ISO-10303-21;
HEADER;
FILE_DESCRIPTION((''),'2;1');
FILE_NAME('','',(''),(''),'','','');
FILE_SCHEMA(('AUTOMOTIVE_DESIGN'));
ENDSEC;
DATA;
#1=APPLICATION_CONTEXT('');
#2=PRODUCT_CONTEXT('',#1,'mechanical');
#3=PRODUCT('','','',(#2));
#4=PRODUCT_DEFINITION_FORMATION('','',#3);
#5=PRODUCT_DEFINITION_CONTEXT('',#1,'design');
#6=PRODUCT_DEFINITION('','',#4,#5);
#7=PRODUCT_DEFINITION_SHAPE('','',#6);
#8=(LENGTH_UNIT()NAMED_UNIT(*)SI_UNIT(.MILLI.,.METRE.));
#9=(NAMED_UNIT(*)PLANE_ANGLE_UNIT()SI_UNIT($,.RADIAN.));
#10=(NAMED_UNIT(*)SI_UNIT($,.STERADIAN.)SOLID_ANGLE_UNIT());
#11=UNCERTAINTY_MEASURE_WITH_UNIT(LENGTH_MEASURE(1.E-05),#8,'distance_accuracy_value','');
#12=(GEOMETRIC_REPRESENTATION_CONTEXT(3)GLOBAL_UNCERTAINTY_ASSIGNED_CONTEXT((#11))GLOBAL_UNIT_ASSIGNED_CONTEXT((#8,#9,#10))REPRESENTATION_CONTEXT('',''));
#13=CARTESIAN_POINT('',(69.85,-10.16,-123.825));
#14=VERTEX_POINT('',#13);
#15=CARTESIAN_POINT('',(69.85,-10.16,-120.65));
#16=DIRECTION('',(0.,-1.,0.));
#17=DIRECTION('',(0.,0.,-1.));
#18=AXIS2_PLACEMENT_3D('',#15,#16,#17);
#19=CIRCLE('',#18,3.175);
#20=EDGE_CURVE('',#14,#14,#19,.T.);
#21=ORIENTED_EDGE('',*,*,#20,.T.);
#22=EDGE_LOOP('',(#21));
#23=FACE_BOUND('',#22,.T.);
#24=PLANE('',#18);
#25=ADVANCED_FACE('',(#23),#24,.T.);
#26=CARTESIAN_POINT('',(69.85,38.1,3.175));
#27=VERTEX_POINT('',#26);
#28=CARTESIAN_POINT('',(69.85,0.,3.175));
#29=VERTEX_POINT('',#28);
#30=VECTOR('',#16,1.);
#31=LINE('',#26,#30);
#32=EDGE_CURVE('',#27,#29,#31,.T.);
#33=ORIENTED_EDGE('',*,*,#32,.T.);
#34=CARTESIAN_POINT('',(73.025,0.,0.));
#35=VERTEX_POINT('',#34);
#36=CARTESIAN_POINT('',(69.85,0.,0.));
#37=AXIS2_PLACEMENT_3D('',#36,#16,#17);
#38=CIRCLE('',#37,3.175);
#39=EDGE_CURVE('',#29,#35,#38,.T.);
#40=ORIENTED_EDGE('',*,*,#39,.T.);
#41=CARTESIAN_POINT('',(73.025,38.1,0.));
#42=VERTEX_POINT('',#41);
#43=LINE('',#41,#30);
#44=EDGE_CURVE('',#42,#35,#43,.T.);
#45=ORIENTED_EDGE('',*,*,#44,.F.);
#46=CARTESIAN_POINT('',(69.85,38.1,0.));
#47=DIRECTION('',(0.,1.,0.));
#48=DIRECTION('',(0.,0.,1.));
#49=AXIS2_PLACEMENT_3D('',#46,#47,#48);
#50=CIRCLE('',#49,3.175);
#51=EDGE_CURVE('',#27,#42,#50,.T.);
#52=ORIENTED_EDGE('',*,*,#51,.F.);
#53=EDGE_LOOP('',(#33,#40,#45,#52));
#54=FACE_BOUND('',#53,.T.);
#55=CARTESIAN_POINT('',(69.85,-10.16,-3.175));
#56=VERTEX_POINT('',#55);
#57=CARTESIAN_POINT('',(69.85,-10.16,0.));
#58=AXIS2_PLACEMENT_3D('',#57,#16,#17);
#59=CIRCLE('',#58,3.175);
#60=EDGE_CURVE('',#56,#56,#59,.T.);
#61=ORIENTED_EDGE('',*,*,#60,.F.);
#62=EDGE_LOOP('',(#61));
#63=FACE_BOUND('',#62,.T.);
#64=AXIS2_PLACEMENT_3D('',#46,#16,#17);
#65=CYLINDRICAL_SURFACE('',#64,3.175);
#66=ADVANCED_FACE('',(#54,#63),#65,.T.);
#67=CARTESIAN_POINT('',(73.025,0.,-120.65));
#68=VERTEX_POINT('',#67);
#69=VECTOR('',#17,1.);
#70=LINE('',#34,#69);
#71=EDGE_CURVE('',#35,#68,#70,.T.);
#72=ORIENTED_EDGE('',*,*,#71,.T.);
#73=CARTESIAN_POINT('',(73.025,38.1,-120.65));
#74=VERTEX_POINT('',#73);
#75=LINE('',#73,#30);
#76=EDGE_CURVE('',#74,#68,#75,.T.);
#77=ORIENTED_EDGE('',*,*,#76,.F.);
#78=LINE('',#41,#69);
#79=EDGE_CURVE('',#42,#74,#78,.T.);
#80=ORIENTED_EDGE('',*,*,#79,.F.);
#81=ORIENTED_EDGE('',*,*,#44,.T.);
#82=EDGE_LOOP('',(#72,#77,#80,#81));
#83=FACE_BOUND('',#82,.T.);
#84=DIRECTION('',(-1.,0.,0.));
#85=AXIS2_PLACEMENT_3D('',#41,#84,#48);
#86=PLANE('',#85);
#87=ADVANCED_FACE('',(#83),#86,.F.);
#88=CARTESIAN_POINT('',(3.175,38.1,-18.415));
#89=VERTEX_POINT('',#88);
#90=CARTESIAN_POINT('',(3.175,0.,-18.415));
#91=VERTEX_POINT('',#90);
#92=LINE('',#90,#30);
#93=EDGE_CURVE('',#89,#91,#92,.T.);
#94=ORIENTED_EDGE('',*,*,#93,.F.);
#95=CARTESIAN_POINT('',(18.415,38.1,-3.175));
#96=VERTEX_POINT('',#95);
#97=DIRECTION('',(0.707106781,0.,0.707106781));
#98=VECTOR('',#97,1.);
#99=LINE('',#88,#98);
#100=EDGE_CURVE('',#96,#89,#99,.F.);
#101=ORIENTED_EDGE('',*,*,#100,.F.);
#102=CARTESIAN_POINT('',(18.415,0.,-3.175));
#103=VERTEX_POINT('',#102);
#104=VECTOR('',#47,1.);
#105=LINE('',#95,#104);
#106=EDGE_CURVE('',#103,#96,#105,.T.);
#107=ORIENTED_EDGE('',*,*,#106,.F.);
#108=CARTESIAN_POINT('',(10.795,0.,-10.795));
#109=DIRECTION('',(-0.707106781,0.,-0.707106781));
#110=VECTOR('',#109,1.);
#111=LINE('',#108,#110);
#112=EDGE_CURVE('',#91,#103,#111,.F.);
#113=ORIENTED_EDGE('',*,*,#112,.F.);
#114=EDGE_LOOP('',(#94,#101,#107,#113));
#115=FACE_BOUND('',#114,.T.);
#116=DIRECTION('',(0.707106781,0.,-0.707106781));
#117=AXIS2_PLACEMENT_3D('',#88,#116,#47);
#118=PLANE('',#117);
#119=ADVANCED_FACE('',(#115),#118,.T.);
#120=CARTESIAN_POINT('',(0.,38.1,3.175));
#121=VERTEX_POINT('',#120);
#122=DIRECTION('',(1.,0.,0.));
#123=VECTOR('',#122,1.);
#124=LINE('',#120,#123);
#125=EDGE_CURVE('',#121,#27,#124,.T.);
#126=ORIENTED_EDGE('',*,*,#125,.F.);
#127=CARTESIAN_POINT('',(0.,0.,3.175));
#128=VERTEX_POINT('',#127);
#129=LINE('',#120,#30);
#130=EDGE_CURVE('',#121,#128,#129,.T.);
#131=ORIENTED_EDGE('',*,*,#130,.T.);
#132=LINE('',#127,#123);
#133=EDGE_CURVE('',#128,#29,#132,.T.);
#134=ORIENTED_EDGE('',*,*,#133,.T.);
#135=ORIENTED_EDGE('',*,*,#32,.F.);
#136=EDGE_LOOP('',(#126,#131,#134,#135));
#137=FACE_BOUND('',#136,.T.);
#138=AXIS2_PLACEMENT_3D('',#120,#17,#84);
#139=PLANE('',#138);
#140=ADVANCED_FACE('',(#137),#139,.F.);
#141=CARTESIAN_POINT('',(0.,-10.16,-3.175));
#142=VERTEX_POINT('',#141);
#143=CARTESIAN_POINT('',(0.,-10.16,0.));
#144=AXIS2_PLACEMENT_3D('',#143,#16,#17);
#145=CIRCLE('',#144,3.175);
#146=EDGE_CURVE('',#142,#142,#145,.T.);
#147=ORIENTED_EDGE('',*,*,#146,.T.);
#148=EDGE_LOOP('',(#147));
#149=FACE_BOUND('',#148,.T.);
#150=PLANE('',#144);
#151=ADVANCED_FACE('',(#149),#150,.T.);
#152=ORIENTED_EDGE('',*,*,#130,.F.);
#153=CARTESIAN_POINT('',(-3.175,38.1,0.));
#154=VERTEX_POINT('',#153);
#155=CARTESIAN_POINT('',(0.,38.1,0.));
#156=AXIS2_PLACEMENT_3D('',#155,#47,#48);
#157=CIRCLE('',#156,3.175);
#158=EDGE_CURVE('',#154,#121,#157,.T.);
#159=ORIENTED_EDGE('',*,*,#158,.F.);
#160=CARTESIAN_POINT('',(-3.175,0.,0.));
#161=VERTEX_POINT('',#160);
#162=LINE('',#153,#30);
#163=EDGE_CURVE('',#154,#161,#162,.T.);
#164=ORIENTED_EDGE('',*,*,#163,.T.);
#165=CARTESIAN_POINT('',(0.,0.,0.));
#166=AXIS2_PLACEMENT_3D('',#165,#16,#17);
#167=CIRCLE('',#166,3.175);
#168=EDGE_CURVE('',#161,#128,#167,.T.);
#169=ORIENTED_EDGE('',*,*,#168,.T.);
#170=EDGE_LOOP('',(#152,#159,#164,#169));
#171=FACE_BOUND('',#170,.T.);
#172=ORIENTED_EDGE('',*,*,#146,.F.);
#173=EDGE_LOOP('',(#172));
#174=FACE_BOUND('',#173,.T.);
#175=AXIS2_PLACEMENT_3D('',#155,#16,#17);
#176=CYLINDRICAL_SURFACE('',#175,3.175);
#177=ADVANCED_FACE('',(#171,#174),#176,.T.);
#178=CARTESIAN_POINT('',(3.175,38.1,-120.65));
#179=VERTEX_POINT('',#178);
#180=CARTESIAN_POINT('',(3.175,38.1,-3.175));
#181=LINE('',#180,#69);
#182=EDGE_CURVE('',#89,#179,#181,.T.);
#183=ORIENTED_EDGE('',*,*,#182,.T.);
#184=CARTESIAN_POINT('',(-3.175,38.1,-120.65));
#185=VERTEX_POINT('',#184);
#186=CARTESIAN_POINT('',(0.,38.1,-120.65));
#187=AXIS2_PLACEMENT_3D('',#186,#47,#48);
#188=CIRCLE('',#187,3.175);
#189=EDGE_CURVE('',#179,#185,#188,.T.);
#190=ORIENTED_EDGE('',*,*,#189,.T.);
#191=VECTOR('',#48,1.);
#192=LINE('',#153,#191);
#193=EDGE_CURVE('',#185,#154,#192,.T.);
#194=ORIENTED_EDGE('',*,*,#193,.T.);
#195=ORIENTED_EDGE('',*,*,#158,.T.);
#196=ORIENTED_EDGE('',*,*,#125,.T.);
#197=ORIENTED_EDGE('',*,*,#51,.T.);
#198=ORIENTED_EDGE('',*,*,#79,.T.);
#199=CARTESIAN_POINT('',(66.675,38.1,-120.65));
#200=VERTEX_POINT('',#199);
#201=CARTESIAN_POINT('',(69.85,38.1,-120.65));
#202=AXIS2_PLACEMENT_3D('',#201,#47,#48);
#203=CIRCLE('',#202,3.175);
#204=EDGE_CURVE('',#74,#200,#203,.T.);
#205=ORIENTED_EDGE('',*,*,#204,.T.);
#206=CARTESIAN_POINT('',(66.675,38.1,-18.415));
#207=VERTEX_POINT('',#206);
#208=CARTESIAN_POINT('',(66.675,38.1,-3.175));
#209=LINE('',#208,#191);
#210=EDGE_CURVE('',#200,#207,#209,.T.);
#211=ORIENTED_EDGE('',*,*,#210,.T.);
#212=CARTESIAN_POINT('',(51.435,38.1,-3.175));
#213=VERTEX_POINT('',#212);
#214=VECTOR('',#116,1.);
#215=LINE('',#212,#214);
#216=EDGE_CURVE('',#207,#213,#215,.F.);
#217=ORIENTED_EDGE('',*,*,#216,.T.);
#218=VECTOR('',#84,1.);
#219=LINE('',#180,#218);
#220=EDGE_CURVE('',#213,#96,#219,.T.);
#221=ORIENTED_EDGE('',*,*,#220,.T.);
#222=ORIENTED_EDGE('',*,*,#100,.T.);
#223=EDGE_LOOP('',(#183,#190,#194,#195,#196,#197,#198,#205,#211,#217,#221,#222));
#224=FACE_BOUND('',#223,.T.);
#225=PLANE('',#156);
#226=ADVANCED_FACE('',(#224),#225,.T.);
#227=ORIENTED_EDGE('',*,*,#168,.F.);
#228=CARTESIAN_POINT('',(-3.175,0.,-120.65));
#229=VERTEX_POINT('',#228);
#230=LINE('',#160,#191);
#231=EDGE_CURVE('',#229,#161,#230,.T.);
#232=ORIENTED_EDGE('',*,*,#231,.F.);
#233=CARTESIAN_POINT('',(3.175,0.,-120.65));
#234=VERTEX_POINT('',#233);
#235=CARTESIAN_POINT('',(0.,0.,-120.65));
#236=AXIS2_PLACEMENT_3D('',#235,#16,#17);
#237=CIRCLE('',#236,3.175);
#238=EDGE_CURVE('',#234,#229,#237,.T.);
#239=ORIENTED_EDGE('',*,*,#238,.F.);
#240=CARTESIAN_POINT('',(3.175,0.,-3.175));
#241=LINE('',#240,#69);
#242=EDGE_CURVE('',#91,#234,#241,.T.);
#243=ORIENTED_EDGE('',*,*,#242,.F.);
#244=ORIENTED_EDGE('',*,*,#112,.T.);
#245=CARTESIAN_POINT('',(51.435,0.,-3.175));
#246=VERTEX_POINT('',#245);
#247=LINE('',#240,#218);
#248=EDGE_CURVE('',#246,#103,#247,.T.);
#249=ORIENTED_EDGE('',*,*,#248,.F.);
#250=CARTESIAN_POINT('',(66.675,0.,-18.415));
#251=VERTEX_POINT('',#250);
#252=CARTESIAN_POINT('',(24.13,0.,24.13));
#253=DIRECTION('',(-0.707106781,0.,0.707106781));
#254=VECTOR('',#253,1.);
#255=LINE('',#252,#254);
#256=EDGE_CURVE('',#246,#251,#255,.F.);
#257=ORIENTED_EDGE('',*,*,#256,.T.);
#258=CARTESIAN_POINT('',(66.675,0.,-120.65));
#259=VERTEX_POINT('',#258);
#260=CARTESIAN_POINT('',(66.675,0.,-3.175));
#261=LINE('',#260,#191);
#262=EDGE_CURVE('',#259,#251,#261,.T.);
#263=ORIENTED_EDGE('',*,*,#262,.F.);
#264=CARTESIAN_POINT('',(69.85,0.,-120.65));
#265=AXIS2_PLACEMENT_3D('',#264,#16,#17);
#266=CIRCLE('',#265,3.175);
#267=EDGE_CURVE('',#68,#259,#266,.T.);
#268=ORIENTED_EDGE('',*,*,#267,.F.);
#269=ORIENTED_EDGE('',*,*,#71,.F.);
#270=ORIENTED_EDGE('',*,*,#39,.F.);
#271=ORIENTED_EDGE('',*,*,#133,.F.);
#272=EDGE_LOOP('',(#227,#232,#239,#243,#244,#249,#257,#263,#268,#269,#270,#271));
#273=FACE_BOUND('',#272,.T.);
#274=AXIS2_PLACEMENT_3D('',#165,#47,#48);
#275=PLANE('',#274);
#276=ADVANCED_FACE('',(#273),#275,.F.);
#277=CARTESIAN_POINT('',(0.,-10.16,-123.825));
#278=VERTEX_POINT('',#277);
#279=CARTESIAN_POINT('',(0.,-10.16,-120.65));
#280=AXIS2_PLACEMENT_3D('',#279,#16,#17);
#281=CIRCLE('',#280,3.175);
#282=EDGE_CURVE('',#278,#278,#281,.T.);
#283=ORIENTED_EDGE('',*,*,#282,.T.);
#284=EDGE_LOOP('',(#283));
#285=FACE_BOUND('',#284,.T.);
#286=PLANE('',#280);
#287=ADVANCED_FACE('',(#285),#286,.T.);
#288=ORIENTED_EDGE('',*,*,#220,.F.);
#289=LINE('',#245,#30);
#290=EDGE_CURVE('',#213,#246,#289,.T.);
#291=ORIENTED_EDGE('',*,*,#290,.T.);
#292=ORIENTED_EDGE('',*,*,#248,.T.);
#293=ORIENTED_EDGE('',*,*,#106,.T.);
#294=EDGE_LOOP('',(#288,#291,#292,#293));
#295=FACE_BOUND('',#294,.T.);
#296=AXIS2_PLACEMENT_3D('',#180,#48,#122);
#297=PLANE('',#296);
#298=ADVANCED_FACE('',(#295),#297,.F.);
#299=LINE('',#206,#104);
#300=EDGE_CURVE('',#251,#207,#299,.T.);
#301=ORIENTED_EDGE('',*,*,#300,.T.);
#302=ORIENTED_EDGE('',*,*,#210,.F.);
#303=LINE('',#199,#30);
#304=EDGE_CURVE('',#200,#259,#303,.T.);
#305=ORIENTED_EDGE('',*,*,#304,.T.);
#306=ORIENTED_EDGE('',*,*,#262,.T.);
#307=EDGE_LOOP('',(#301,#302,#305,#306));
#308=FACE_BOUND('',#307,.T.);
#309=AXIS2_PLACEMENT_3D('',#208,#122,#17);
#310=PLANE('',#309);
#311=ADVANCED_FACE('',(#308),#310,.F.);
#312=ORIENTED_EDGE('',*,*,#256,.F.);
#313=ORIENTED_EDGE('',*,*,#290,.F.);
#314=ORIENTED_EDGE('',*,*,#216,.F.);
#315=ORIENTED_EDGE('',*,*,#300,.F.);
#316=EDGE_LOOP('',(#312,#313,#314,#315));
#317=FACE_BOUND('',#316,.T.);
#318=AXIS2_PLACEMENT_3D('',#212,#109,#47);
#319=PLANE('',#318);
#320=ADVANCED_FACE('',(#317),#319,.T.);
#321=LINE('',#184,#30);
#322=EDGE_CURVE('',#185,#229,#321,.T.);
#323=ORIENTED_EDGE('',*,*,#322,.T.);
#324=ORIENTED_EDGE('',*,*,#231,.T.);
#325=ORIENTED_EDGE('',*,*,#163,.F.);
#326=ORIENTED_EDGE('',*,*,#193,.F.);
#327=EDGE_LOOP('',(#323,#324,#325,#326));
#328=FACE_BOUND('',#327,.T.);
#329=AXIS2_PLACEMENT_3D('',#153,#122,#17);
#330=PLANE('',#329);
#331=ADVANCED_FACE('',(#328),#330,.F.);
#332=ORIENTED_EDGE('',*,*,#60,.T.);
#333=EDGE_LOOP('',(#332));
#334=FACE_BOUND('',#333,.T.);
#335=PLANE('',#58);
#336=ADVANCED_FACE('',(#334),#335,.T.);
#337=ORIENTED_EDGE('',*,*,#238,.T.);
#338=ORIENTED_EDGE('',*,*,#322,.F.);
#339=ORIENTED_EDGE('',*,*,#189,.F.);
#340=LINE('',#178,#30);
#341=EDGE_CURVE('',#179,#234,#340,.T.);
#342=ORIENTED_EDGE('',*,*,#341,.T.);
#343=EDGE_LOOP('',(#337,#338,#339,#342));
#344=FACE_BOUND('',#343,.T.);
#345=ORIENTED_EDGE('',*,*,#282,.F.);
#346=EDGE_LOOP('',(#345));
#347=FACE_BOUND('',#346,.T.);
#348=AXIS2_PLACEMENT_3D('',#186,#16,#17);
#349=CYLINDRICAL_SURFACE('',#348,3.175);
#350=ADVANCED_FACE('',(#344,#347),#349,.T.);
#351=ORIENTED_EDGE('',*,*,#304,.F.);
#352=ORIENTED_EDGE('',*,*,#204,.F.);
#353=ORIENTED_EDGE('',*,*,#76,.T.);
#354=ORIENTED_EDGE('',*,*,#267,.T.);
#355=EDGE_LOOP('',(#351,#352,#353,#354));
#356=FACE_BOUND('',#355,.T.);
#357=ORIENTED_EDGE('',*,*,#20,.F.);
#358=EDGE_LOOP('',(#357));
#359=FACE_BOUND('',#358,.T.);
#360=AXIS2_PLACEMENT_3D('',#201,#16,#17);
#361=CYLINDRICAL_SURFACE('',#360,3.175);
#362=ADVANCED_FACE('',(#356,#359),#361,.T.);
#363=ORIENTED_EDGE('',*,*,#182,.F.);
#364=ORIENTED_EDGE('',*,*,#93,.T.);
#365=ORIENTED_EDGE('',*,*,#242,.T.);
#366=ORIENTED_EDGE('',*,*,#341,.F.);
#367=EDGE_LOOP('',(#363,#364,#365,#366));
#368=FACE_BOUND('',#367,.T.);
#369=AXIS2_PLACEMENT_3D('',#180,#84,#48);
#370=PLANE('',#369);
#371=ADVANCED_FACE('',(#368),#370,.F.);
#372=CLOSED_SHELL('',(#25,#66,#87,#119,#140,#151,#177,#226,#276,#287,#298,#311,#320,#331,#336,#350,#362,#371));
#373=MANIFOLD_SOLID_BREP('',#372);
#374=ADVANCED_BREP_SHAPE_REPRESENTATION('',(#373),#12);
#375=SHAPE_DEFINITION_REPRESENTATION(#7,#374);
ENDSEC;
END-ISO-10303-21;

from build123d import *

# Parameters (mm, degrees)
BOSS_EXTRUDE1_DEPTH = 38.1
BOSS_EXTRUDE2_START = 10.16
SKETCH2_R           = 3.175
BOSS_EXTRUDE2_DEPTH = 10.16
CHAMFER1_SIZE       = 15.24


with BuildPart() as part:
    # Sketch1 → Boss-Extrude1 (new body)
    with BuildSketch(Plane(origin=(0, 0, 0), x_dir=(1, 0, 0), z_dir=(0, 1, 0))):
        with BuildLine():
            Line((-3.175, 0), (-3.175, 120.65))
            ThreePointArc((-3.175, 120.65), (0, 123.825), (3.175, 120.65))
            Line((3.175, 120.65), (3.175, 3.175))
            Line((3.175, 3.175), (66.675, 3.175))
            Line((66.675, 3.175), (66.675, 120.65))
            ThreePointArc((66.675, 120.65), (69.85, 123.825), (73.025, 120.65))
            Line((73.025, 120.65), (73.025, 0))
            ThreePointArc((73.025, 0), (72.09506403, -2.24506403), (69.85, -3.175))
            Line((69.85, -3.175), (0, -3.175))
            ThreePointArc((0, -3.175), (-2.24506403, -2.24506403), (-3.175, 0))
        make_face()
    extrude(amount=BOSS_EXTRUDE1_DEPTH)

    # Sketch2 → Boss-Extrude2 (add)
    with BuildSketch(Plane(origin=(0, 0, 0), x_dir=(-1, 0, 0), z_dir=(0, -1, 0)).offset(BOSS_EXTRUDE2_START)):
        with Locations(Location((-69.85, 120.65, 0), (0, 0, 90))):
            Circle(SKETCH2_R)
        with Locations(Location((0, 120.65, 0), (0, 0, 90))):
            Circle(SKETCH2_R)
        with Locations(Location((0, 0, 0), (0, 0, 90))):
            Circle(SKETCH2_R)
        with Locations(Location((-69.85, 0, 0), (0, 0, 90))):
            Circle(SKETCH2_R)
    extrude(amount=-BOSS_EXTRUDE2_DEPTH)

    # Chamfer1
    chamfer1_edges = [part.edges().sort_by_distance(p)[0] for p in [
        (3.175, 19.05, -3.175),
        (66.675, 19.05, -3.175),
    ]]
    chamfer(chamfer1_edges, length=CHAMFER1_SIZE)


solid = part.part
